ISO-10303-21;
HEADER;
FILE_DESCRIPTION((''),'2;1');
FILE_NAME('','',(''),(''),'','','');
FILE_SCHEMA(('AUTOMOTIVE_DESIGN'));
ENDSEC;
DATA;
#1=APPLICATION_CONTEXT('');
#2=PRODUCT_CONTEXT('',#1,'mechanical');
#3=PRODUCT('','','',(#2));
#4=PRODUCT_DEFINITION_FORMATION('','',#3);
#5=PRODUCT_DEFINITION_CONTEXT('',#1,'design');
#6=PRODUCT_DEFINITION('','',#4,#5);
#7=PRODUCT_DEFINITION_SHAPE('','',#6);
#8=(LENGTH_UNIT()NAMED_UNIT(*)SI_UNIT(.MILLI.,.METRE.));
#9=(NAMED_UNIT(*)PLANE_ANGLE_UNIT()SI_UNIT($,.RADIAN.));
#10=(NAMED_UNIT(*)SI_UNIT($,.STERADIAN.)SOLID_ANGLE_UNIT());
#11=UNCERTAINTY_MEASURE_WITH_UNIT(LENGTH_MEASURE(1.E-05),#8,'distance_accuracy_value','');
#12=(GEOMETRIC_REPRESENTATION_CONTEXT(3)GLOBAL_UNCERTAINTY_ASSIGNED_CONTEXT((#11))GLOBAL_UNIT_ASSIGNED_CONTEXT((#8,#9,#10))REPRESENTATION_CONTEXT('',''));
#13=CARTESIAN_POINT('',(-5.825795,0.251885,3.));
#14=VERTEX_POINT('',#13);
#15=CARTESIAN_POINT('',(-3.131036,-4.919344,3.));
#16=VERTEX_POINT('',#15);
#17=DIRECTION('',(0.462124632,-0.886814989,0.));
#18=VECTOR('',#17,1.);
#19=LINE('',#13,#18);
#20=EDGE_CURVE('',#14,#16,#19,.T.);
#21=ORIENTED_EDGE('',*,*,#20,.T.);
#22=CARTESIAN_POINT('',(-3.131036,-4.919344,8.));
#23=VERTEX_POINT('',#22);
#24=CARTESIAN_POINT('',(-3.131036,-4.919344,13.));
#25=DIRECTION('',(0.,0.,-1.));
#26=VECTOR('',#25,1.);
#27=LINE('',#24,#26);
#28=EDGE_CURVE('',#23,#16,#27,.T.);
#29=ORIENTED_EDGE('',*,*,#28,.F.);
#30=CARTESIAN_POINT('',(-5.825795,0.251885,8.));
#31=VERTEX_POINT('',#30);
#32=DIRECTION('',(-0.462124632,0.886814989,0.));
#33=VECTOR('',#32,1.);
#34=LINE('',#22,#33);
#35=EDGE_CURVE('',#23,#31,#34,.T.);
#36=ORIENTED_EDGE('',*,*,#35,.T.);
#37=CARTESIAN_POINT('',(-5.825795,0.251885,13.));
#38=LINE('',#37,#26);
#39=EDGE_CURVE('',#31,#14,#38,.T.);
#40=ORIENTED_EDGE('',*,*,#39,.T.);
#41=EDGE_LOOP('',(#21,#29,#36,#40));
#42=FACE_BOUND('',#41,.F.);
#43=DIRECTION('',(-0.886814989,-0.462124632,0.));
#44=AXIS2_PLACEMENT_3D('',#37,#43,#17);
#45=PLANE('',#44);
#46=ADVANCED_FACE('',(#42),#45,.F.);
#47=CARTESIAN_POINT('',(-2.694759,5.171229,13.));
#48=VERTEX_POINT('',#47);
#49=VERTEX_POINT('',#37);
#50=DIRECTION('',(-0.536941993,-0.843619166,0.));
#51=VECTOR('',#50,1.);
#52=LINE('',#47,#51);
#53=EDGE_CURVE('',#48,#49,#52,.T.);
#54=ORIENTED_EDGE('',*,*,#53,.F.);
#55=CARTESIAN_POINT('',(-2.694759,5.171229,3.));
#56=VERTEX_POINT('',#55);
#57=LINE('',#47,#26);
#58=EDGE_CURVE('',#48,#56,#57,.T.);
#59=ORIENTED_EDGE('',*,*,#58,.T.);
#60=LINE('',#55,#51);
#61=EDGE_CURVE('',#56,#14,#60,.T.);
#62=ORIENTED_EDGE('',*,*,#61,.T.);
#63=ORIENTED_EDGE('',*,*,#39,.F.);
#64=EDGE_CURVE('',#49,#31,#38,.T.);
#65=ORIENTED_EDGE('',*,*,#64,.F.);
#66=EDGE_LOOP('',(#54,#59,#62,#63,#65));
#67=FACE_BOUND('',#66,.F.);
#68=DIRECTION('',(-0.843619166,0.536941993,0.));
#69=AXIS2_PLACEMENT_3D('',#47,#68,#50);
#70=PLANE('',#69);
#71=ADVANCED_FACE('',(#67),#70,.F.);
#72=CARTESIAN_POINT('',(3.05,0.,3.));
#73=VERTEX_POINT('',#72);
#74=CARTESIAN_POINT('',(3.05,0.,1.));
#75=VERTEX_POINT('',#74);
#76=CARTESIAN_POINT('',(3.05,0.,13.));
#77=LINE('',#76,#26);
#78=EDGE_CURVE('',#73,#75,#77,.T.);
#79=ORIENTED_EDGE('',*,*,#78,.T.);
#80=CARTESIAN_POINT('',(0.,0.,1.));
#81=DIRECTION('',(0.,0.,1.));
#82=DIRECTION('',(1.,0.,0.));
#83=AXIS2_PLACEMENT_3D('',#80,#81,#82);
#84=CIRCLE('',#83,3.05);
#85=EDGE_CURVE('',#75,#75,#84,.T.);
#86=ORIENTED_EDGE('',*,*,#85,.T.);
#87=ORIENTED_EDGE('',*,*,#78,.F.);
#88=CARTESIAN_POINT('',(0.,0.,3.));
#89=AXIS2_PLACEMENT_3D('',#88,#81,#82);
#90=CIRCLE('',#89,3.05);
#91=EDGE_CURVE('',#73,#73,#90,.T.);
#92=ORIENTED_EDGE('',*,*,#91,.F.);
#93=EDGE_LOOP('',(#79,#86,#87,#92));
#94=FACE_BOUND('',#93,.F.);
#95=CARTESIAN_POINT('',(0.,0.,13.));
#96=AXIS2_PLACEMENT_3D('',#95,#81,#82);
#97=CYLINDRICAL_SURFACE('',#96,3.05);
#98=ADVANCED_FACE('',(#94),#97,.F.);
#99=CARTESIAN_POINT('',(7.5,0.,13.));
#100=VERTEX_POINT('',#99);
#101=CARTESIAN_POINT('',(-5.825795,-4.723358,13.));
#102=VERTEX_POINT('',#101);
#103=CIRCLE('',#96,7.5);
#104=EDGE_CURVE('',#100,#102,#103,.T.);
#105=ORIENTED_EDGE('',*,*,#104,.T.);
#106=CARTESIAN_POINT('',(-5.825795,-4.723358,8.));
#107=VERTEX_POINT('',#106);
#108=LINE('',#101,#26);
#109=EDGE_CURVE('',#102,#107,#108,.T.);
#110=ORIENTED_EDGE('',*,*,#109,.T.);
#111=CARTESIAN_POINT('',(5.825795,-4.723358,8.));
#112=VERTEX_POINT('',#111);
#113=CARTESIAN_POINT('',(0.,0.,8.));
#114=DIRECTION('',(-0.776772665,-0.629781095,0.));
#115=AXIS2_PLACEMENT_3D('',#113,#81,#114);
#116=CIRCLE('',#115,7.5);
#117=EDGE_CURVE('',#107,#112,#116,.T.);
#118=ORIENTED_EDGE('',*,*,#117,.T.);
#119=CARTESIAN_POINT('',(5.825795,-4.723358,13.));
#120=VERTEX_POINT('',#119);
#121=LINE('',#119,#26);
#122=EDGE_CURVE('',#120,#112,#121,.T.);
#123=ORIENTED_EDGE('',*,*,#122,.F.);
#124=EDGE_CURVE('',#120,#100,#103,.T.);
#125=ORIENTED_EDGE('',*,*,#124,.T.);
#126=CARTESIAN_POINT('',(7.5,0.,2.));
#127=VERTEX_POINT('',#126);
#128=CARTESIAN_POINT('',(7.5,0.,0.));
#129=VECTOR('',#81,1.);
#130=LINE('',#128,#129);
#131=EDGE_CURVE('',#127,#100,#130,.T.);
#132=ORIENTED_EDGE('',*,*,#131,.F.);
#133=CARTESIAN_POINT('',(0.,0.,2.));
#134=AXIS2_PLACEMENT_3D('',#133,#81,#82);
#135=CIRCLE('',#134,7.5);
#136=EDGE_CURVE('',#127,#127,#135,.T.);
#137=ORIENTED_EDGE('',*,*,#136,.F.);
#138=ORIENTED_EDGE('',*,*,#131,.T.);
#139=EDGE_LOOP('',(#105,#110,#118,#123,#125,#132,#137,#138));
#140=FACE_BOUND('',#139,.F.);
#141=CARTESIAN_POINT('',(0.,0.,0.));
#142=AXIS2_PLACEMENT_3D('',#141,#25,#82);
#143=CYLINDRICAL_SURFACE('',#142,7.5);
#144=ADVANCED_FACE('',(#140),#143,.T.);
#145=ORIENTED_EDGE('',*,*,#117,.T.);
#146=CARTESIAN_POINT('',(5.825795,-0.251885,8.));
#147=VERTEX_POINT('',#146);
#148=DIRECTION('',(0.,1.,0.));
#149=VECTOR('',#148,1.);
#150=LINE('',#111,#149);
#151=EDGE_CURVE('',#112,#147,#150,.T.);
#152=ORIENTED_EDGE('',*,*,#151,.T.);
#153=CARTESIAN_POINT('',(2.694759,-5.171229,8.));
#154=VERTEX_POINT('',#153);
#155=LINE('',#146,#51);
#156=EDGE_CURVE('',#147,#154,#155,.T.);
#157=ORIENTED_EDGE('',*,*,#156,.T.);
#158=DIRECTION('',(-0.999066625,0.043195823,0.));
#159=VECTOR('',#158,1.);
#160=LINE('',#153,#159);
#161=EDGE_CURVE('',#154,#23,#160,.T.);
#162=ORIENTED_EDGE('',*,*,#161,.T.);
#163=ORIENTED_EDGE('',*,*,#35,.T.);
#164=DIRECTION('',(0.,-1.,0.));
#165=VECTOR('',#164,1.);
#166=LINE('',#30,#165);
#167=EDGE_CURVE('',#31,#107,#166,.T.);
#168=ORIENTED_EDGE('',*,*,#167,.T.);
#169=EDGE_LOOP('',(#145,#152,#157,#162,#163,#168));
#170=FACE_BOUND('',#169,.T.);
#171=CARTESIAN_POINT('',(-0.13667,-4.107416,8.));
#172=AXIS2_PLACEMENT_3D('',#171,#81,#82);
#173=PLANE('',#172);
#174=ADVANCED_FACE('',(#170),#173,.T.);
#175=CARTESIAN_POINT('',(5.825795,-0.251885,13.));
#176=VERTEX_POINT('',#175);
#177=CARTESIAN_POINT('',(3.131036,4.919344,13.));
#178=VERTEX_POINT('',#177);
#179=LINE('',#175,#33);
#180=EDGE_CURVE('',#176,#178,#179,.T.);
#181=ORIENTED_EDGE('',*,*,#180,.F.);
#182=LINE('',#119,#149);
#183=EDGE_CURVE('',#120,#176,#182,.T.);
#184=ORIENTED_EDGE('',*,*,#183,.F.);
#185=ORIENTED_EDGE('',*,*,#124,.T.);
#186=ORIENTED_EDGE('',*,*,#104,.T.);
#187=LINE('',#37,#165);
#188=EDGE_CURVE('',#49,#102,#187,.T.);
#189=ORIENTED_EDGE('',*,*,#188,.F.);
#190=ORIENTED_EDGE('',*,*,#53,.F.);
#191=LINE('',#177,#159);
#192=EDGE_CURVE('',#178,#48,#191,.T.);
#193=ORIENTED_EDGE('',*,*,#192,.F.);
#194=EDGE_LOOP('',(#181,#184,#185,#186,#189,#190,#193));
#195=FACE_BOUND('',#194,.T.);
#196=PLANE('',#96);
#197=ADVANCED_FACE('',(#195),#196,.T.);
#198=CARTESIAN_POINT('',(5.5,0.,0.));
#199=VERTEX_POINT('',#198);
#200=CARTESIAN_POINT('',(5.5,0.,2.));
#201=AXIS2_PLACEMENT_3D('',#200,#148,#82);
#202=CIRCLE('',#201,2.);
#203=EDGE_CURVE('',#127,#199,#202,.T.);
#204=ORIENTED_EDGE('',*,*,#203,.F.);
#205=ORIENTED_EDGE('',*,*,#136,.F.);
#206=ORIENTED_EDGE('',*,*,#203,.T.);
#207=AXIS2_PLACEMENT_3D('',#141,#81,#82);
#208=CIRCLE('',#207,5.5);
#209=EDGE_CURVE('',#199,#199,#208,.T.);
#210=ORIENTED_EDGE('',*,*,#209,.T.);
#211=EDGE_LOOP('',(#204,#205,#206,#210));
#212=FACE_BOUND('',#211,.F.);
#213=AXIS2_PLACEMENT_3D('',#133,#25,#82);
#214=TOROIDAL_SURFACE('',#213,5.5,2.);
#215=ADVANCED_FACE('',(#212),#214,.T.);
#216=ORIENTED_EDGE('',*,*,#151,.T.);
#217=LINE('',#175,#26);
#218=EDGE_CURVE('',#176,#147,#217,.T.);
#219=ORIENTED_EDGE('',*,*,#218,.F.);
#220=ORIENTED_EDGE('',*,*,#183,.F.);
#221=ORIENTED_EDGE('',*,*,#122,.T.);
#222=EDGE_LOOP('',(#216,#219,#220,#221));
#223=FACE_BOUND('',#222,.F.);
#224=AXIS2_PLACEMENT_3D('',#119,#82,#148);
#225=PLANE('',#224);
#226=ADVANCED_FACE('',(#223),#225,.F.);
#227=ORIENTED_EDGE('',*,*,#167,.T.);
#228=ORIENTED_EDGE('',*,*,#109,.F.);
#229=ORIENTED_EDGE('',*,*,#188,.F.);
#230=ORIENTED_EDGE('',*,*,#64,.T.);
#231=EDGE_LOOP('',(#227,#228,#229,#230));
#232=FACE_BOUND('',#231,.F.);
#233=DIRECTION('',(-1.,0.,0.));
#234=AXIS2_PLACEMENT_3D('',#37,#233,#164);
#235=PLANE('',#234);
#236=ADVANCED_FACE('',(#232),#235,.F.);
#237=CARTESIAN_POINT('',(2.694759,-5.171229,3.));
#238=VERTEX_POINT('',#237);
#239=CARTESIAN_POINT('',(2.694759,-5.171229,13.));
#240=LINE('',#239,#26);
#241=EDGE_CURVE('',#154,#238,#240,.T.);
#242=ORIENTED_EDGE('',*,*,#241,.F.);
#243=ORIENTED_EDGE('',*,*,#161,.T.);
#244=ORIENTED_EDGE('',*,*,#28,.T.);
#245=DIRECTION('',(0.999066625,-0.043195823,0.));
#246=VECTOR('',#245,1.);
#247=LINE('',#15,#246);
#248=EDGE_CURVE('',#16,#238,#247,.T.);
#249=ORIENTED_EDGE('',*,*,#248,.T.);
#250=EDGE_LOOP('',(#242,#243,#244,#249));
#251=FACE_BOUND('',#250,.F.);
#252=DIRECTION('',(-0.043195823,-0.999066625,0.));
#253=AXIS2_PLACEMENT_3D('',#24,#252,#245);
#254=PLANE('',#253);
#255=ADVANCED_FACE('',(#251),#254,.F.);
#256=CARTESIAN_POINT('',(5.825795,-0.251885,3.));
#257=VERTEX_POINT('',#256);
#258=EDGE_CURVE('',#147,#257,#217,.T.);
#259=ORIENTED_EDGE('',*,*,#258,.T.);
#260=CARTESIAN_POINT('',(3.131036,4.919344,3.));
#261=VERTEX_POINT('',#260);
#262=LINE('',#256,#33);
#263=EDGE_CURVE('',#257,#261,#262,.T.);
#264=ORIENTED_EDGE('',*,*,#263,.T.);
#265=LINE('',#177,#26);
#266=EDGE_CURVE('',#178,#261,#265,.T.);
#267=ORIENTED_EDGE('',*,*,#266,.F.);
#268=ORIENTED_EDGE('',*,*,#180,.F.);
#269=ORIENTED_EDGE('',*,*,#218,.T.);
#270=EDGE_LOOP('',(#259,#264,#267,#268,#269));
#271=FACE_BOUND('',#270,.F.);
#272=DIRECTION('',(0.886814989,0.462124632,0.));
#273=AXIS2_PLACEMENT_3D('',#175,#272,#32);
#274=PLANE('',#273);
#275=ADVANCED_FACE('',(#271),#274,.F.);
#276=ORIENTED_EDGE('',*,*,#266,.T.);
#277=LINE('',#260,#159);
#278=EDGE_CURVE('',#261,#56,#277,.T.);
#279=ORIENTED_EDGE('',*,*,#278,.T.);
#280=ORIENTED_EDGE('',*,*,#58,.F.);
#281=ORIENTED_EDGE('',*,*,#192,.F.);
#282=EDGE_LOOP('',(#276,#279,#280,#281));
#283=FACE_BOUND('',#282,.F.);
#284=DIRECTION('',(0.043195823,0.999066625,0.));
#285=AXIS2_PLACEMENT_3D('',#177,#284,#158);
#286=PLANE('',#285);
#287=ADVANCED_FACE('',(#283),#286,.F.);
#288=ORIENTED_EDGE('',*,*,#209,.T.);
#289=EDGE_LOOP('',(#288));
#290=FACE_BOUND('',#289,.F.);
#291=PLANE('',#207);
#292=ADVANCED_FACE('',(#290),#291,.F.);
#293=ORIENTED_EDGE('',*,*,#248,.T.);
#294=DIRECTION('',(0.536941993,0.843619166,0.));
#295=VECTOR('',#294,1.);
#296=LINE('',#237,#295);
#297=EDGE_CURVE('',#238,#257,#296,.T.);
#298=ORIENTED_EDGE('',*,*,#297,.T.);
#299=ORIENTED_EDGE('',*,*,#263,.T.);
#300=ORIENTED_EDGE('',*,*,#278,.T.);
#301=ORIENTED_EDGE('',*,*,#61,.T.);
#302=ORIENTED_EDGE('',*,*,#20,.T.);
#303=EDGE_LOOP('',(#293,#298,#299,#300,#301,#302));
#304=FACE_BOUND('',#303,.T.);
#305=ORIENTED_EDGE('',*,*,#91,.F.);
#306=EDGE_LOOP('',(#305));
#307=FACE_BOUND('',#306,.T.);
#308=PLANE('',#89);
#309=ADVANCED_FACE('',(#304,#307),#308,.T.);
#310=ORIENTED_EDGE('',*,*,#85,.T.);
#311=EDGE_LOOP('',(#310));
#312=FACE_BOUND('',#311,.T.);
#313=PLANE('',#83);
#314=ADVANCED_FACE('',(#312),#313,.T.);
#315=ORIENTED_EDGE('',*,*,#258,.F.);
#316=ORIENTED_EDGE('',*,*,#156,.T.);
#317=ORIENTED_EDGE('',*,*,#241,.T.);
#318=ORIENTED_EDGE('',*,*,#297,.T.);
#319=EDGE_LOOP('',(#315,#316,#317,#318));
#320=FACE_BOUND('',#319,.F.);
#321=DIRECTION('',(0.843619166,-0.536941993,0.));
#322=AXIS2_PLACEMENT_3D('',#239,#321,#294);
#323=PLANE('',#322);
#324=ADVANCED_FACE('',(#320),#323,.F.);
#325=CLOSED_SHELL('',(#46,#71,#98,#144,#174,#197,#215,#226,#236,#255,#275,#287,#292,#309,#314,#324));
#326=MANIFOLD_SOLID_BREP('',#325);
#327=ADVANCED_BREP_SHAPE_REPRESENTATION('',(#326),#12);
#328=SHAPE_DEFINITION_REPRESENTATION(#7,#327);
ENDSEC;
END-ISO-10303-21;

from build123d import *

# Parameters (mm, degrees)
F0_R     = 7.5
F1_DEPTH = 13
F2_R     = 3.05
F3_DEPTH = 12
F5_R     = 3.05
F6_DEPTH = 10
F8_DEPTH = 5
F9_R     = 2


with BuildPart() as f1:
    # F0 (on Top) → F1 (new body)
    with BuildSketch(Plane.XY):
        Circle(F0_R)
    extrude(amount=F1_DEPTH)

    # F2 (on face) → F3 (cut)
    with BuildSketch(Plane.XY.offset(13)):
        Circle(F2_R)
    extrude(amount=-F3_DEPTH, mode=Mode.SUBTRACT)

    # F5 (on face) → F6 (cut)
    with BuildSketch(Plane.XY.offset(13)):
        Polygon((5.8257949863, -0.2518851143), (3.1310364009, 4.9193438983), (-2.6947585854, 5.1712290125), (-5.8257949863, 0.2518851143), (-3.1310364009, -4.9193438983), (2.6947585854, -5.1712290125), align=None)
        Circle(F5_R, mode=Mode.SUBTRACT)
    extrude(amount=-F6_DEPTH, mode=Mode.SUBTRACT)

    # F7 (on face) → F8 (cut)
    with BuildSketch(Plane.XY.offset(13)):
        with BuildLine():
            Line((-3.1310364009, -4.9193438983), (-5.8257949863, 0.2518851143))
            Line((-5.8257949863, 0.2518851143), (-5.8257949863, -4.7233582097))
            ThreePointArc((-5.8257949863, -4.7233582097), (0, -7.5), (5.8257949863, -4.7233582097))
            Line((5.8257949863, -4.7233582097), (5.8257949863, -0.2518851143))
            Line((5.8257949863, -0.2518851143), (2.6947585854, -5.1712290125))
            Line((2.6947585854, -5.1712290125), (-3.1310364009, -4.9193438983))
        make_face()
    extrude(amount=-F8_DEPTH, mode=Mode.SUBTRACT)

    # F9
    f9_edges = [f1.edges().sort_by_distance(p)[0] for p in [
        (-7.5, 0, 0),
    ]]
    fillet(f9_edges, radius=F9_R)


solid = f1.part
